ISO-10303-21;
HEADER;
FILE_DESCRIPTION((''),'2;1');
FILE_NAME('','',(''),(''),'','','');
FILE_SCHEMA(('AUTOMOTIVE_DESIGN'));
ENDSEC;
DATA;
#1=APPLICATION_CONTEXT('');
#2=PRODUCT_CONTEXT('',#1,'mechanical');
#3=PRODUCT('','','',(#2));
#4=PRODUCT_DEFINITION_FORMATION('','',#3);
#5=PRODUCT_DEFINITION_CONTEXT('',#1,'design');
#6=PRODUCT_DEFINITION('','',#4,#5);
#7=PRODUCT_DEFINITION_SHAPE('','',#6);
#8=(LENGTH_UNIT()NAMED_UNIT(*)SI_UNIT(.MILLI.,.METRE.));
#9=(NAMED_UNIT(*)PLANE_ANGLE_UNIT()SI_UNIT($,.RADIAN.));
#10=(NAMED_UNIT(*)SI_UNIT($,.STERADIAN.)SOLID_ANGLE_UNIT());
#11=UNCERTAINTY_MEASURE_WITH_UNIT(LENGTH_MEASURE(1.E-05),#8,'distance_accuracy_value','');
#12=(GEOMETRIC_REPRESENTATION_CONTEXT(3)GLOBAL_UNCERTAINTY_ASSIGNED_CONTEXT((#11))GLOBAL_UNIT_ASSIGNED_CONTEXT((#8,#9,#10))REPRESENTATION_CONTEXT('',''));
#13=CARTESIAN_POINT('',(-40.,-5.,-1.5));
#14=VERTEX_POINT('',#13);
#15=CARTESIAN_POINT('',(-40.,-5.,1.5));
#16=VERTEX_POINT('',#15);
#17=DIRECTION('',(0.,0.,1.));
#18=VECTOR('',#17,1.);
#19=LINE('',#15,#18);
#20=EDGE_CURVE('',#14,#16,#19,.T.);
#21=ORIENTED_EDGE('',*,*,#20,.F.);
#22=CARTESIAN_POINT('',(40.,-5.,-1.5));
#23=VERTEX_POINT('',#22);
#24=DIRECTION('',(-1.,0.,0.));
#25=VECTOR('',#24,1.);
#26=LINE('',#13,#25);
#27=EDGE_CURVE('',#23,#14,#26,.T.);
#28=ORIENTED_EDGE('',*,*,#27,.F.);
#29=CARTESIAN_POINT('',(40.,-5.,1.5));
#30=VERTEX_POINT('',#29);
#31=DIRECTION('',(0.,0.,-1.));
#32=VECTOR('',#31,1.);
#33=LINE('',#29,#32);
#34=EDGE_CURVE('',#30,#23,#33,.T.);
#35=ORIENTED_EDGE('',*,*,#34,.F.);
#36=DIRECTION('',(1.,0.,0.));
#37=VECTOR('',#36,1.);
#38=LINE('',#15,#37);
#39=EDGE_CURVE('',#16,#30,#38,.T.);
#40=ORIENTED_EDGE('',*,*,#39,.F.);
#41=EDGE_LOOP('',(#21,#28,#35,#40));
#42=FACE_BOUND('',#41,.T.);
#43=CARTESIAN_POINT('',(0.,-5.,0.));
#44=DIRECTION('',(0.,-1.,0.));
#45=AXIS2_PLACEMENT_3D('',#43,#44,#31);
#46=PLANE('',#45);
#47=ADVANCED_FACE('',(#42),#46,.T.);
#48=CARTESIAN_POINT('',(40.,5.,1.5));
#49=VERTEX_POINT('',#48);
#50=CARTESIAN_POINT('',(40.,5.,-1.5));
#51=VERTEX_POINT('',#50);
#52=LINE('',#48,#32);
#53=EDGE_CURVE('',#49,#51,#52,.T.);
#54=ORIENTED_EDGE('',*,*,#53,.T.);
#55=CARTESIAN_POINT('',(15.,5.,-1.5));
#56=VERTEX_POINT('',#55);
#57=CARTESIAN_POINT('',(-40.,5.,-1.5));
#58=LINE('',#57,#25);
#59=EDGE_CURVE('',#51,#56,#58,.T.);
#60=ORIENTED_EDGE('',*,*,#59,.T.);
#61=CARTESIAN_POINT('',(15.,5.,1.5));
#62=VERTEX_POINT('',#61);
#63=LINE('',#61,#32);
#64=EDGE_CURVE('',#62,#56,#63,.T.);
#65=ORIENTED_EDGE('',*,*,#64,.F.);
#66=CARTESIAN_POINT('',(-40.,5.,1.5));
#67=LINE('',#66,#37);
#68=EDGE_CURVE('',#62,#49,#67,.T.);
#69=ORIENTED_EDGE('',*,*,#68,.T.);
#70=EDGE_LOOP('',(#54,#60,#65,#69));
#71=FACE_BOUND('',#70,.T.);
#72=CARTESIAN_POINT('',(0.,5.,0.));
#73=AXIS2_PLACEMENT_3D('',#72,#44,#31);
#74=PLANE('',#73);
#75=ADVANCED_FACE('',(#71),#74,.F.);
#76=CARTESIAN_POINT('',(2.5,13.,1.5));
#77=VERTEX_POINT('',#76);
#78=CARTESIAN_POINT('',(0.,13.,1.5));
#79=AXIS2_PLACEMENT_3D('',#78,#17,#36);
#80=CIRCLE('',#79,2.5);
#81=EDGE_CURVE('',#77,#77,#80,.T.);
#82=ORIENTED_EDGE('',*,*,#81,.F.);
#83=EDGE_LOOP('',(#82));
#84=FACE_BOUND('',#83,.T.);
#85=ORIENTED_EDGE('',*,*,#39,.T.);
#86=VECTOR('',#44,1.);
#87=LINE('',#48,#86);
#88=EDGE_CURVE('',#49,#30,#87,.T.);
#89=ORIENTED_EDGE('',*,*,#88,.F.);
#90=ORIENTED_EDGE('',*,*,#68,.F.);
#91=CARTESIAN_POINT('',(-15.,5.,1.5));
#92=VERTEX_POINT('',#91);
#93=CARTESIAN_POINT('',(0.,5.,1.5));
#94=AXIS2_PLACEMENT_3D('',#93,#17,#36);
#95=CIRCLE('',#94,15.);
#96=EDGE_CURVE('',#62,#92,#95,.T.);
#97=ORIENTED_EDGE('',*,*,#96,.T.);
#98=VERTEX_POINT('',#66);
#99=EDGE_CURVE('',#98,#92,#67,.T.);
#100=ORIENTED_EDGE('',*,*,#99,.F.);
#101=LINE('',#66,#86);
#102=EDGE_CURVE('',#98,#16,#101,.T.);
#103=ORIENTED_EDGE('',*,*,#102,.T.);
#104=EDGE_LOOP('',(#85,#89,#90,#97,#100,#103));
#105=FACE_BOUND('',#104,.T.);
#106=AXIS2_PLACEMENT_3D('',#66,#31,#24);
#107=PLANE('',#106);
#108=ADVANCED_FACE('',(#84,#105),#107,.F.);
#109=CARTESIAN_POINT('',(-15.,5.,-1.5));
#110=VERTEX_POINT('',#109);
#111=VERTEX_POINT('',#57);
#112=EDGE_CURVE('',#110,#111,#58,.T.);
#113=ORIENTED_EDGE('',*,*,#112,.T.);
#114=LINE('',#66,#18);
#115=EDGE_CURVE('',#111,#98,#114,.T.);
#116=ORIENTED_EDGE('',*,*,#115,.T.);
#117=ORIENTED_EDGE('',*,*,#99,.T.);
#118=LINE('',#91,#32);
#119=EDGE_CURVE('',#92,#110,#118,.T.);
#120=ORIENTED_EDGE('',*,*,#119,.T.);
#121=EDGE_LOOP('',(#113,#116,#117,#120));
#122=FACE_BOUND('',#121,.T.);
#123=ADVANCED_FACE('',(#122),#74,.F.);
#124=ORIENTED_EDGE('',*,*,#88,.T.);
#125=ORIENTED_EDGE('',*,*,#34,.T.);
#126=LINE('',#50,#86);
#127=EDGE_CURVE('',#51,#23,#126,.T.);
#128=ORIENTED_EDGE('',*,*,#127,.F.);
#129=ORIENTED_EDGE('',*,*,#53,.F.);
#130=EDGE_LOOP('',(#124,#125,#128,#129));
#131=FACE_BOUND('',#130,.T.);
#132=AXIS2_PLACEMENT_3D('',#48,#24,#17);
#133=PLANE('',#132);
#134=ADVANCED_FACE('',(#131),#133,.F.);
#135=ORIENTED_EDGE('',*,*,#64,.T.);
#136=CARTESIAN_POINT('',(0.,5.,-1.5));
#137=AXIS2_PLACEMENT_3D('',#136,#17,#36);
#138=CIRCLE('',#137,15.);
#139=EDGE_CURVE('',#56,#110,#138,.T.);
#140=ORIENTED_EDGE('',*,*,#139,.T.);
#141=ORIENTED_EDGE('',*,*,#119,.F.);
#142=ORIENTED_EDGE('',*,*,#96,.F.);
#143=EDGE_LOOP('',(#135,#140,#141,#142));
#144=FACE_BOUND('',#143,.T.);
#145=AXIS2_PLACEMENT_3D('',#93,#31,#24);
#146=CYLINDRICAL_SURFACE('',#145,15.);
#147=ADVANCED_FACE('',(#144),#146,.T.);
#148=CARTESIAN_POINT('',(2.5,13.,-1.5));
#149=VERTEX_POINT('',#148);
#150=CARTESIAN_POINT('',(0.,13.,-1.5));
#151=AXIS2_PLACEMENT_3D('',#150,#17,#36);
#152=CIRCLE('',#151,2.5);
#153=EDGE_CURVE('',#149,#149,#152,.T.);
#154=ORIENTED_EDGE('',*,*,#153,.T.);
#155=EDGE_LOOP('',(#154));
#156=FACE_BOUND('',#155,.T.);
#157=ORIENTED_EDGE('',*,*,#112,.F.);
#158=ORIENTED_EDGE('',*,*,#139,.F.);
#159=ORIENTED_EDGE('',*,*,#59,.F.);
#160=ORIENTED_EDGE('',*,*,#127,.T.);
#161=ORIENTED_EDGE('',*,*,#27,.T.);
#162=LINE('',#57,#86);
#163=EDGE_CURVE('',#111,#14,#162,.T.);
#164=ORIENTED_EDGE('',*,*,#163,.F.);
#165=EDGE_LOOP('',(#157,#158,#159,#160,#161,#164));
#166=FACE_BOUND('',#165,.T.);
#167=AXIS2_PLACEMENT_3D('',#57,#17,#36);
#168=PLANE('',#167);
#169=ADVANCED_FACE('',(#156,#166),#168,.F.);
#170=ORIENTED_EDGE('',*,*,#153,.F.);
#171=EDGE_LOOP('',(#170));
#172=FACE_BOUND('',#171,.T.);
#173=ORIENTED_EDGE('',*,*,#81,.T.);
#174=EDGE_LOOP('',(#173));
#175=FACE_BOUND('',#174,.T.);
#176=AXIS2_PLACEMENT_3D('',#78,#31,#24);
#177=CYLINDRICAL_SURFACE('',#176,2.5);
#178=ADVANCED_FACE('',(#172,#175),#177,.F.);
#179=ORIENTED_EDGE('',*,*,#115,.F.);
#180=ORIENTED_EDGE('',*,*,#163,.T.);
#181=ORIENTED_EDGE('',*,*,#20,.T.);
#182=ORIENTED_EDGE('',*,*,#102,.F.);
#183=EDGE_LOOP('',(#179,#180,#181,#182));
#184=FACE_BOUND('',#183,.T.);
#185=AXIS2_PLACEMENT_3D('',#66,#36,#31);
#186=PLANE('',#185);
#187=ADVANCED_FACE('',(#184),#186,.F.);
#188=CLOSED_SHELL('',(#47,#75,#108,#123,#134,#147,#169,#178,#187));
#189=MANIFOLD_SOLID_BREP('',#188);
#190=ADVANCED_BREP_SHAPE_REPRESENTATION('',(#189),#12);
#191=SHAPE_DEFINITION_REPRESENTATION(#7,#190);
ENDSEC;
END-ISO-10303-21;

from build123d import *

# Parameters (mm, degrees)
SKETCH_1_W      = 80
SKETCH_1_H      = 3
EXTRUDE_1_DEPTH = 5
SKETCH_3_R      = 2.5
EXTRUDE_2_DEPTH = 1.5


with BuildPart() as part:
    # 草图1 → 凸台-拉伸1 (new, symmetric)
    with BuildSketch(Plane(origin=(0, 0, 0), x_dir=(1, 0, 0), z_dir=(0, 1, 0))):
        Rectangle(SKETCH_1_W, SKETCH_1_H)
    extrude(amount=EXTRUDE_1_DEPTH, both=True)

    # 草图3 → 凸台-拉伸2 (add, symmetric)
    with BuildSketch(Plane.XY):
        with BuildLine():
            Line((-15, 5), (15, 5))
            ThreePointArc((15, 5), (0, 20), (-15, 5))
        make_face()
        with Locations((0, 13)):
            Circle(SKETCH_3_R, mode=Mode.SUBTRACT)
    extrude(amount=EXTRUDE_2_DEPTH, both=True)


solid = part.part
